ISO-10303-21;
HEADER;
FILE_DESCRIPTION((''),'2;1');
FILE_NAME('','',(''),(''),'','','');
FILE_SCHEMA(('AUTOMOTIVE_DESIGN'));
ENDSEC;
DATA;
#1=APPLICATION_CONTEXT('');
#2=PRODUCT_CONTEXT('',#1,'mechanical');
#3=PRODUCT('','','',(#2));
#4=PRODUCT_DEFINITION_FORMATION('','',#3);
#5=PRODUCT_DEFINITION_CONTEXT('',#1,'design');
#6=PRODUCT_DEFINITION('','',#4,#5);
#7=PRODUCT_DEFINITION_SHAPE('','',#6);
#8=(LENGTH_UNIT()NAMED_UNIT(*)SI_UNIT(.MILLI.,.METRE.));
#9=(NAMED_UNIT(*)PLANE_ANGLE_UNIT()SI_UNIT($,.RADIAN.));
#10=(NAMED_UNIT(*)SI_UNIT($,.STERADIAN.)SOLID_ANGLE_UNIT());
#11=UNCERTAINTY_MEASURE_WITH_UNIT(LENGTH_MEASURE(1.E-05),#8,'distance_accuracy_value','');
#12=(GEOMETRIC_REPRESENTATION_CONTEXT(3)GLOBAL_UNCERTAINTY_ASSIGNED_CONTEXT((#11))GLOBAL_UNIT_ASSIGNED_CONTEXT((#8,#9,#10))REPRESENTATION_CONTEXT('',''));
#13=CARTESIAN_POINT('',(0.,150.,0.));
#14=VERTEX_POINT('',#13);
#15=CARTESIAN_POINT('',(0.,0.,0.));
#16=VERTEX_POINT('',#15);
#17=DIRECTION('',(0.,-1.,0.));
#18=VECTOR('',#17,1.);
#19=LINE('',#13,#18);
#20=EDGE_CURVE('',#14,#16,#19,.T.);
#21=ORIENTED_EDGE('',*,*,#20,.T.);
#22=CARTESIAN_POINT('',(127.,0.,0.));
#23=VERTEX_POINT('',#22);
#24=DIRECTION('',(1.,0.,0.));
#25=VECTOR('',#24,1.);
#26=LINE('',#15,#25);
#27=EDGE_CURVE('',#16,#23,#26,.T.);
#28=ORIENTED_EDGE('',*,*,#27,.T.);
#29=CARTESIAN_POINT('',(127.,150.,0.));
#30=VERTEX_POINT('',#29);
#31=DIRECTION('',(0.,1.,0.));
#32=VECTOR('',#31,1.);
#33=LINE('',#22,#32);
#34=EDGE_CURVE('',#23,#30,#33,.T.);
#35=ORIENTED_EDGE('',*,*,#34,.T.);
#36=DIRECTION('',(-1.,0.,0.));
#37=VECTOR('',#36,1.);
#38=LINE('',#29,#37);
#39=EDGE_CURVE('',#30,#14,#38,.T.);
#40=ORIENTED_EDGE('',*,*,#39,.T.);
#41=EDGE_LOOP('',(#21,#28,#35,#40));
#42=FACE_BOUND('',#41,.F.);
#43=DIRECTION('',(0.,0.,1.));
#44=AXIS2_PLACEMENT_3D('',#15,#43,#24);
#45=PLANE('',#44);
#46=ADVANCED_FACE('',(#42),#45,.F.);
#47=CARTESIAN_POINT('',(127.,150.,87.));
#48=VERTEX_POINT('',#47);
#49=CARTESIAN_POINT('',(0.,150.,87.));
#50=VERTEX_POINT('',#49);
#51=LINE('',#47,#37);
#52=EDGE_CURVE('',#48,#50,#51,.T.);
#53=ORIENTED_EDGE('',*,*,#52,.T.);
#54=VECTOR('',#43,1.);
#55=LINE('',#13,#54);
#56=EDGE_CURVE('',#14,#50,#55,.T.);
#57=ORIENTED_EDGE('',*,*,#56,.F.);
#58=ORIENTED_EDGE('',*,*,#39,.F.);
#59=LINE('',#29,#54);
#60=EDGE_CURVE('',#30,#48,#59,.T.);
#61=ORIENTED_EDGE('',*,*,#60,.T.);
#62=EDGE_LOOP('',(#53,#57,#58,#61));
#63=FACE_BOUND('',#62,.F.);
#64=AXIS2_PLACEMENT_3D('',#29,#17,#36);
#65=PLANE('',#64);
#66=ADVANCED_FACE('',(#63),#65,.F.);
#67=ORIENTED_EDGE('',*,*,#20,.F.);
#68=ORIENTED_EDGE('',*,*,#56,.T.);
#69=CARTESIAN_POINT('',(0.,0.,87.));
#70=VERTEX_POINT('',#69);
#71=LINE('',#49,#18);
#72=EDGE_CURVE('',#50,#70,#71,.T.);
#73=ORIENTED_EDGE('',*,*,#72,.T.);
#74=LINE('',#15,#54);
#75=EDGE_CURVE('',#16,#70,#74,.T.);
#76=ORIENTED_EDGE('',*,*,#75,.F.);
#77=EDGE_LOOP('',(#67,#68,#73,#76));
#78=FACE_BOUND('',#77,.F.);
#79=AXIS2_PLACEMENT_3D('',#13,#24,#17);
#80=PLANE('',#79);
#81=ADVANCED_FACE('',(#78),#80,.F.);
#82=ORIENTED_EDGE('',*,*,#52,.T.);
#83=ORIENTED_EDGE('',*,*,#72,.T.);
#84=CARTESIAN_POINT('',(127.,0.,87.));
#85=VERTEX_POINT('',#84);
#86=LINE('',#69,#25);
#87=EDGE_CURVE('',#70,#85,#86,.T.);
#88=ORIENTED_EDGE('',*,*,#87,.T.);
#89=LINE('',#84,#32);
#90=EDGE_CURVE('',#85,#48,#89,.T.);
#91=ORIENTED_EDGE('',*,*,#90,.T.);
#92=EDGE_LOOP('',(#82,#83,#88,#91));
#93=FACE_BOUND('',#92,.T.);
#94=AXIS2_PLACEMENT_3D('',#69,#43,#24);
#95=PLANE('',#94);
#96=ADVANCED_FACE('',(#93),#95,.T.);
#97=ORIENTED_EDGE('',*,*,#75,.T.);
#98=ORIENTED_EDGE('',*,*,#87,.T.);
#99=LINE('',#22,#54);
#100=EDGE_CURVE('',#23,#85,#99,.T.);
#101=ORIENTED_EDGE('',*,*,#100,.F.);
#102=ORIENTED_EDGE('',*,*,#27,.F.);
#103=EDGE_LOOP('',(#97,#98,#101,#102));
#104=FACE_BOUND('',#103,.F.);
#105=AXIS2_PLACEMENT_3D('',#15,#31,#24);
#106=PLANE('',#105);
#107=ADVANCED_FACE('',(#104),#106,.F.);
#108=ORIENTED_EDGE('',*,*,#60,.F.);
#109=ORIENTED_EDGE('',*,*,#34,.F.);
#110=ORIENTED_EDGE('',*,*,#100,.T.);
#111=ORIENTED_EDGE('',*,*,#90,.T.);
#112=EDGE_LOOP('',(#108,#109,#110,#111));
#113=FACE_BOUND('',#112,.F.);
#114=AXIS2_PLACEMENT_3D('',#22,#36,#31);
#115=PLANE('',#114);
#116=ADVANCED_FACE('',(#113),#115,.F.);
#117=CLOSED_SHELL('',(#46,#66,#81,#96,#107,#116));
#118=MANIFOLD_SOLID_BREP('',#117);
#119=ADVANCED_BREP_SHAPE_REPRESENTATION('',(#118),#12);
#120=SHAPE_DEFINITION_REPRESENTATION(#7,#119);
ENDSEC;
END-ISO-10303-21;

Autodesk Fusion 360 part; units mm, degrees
sketch "Sketch1" plane through (0, 0, 0) normal (0, 0, 1) x (1, 0, 0)
  line L0 (0, 0) -> (127, 0)
  line L1 (127, 0) -> (127, 150)
  line L2 (127, 150) -> (0, 150)
  line L3 (0, 150) -> (0, 0)
  dimension "d1" = 127
  dimension "d2" = 150
extrude "Extrude1" add sketch "Sketch1" along normal blind 87
sketch "Sketch5" plane through (0, 0, 0) normal (-1, 0, 0) x (0, -1, 0)
  line L0 (-150, 0) -> (0, 0)
  line L1 (0, 0) -> (0, 87)
  line L2 (0, 87) -> (-150, 87)
  line L3 (-150, 87) -> (-150, 0)
  line L4 (-150, 0) -> (-142, 0) construction
  line L5 (-142, 0) -> (-142, 6) construction
  line L6 (-142, 6) -> (-60, 6)
  line L7 (-60, 6) -> (-60, 58)
  line L8 (-60, 58) -> (-142, 58)
  line L9 (-142, 58) -> (-142, 6)
  line L10 (0, 0) -> (0, 55) construction
  line L11 (0, 55) -> (-6, 55) construction
  line L12 (-6, 55) -> (-55, 55)
  line L13 (-55, 55) -> (-55, 31)
  line L14 (-55, 31) -> (-6, 31)
  line L15 (-6, 31) -> (-6, 55)
  line L16 (-53, 32) -> (-8, 32) construction
  line L17 (-8, 32) -> (-8, 53) construction
  line L18 (-8, 53) -> (-53, 53) construction
  line L19 (-53, 53) -> (-53, 32) construction
  line L20 (-138, 13) -> (-71, 13) construction
  line L21 (-71, 13) -> (-71, 53) construction
  line L22 (-71, 53) -> (-138, 53) construction
  line L23 (-138, 53) -> (-138, 13) construction
  line L24 (-150, 0) -> (-150, 16) construction
  line L25 (-150, 16) -> (-144, 16) construction
  circle A0 centre (-144, 16) radius 1.75
  line L26 (-150, 87) -> (-150, 81) construction
  line L27 (-150, 81) -> (-144, 81) construction
  circle A1 centre (-144, 81) radius 1.75
  line L28 (0, 0) -> (-2.473, 0)
  line L29 (0, 0) -> (-30, 0) construction
  line L30 (-30, 0) -> (-30, 6) construction
  circle A2 centre (-30, 6) radius 1.75
  line L31 (0, 87) -> (-6, 87) construction
  line L32 (-6, 87) -> (-6, 81) construction
  circle A3 centre (-6, 81) radius 1.75
  dimension "d18" = 8
  dimension "d19" = 6
  dimension "d20" = 82
  dimension "d21" = 52
  dimension "d26" = 55
  dimension "d27" = 6
  dimension "d28" = 49
  dimension "d29" = 24
  dimension "d30" = 7
  dimension "d31" = 7
  dimension "d51" = 16
  dimension "d52" = 6
  dimension "d53" = 3.5
  dimension "d54" = 6
  dimension "d55" = 3.5
  dimension "d56" = 30
  dimension "d57" = 6
  dimension "d58" = 3.5
  dimension "d59" = 6
  dimension "d60" = 6
  dimension "d61" = 3.5
extrude "Extrude3" [suppressed]
extrude "Extrude4" [suppressed]
sketch "Sketch6" plane through (0, 0, 87) normal (0, 0, 1) x (-1, 0, 0)
  line L0 (0, -150) -> (0, 0)
  line L1 (0, 0) -> (-127, 0)
  line L2 (-127, 0) -> (-127, -150)
  line L3 (-127, -150) -> (0, -150)
  line L4 (0, -150) -> (0, -138)
  line L5 (0, -138) -> (-4, -138)
  line L6 (-4, -138) -> (-124, -138)
  line L7 (-124, -138) -> (-124, -18)
  line L8 (-124, -18) -> (-4, -18)
  line L9 (-4, -18) -> (-4, -138)
  line L10 (-26.1497, -102.2792) -> (-26.1497, -39.2792) construction
  line L11 (-26.1497, -39.2792) -> (-78.1497, -39.2792) construction
  line L12 (-78.1497, -39.2792) -> (-78.1497, -102.2792) construction
  line L13 (-78.1497, -102.2792) -> (-26.1497, -102.2792) construction
  dimension "d36" = 12
  dimension "d37" = 4
  dimension "d38" = 120
  dimension "d39" = 120
  dimension "d42" = 12
extrude "Extrude5" [suppressed]
extrude "Extrude6" [suppressed]
sketch "Sketch7" plane through (127, 0, 0) normal (1, 0, 0) x (0, 1, 0)
  line L0 (0, 0) -> (150, 0)
  line L1 (150, 0) -> (150, 87)
  line L2 (150, 87) -> (0, 87)
  line L3 (0, 87) -> (0, 0)
  circle A0 centre (20, 40) radius 17
  line L4 (9, 33) -> (29, 33) construction
  line L5 (29, 33) -> (29, 46) construction
  line L6 (29, 46) -> (9, 46) construction
  line L7 (9, 46) -> (9, 33) construction
  dimension "d45" = 34
  dimension "d48" = 7
extrude "Extrude7" [suppressed]
extrude "Extrude8" [suppressed]
extrude "Extrude9" [suppressed]
equation "d51 = 15 mm + 1 mm"
equation "d52 = 5 mm + 1 mm"
